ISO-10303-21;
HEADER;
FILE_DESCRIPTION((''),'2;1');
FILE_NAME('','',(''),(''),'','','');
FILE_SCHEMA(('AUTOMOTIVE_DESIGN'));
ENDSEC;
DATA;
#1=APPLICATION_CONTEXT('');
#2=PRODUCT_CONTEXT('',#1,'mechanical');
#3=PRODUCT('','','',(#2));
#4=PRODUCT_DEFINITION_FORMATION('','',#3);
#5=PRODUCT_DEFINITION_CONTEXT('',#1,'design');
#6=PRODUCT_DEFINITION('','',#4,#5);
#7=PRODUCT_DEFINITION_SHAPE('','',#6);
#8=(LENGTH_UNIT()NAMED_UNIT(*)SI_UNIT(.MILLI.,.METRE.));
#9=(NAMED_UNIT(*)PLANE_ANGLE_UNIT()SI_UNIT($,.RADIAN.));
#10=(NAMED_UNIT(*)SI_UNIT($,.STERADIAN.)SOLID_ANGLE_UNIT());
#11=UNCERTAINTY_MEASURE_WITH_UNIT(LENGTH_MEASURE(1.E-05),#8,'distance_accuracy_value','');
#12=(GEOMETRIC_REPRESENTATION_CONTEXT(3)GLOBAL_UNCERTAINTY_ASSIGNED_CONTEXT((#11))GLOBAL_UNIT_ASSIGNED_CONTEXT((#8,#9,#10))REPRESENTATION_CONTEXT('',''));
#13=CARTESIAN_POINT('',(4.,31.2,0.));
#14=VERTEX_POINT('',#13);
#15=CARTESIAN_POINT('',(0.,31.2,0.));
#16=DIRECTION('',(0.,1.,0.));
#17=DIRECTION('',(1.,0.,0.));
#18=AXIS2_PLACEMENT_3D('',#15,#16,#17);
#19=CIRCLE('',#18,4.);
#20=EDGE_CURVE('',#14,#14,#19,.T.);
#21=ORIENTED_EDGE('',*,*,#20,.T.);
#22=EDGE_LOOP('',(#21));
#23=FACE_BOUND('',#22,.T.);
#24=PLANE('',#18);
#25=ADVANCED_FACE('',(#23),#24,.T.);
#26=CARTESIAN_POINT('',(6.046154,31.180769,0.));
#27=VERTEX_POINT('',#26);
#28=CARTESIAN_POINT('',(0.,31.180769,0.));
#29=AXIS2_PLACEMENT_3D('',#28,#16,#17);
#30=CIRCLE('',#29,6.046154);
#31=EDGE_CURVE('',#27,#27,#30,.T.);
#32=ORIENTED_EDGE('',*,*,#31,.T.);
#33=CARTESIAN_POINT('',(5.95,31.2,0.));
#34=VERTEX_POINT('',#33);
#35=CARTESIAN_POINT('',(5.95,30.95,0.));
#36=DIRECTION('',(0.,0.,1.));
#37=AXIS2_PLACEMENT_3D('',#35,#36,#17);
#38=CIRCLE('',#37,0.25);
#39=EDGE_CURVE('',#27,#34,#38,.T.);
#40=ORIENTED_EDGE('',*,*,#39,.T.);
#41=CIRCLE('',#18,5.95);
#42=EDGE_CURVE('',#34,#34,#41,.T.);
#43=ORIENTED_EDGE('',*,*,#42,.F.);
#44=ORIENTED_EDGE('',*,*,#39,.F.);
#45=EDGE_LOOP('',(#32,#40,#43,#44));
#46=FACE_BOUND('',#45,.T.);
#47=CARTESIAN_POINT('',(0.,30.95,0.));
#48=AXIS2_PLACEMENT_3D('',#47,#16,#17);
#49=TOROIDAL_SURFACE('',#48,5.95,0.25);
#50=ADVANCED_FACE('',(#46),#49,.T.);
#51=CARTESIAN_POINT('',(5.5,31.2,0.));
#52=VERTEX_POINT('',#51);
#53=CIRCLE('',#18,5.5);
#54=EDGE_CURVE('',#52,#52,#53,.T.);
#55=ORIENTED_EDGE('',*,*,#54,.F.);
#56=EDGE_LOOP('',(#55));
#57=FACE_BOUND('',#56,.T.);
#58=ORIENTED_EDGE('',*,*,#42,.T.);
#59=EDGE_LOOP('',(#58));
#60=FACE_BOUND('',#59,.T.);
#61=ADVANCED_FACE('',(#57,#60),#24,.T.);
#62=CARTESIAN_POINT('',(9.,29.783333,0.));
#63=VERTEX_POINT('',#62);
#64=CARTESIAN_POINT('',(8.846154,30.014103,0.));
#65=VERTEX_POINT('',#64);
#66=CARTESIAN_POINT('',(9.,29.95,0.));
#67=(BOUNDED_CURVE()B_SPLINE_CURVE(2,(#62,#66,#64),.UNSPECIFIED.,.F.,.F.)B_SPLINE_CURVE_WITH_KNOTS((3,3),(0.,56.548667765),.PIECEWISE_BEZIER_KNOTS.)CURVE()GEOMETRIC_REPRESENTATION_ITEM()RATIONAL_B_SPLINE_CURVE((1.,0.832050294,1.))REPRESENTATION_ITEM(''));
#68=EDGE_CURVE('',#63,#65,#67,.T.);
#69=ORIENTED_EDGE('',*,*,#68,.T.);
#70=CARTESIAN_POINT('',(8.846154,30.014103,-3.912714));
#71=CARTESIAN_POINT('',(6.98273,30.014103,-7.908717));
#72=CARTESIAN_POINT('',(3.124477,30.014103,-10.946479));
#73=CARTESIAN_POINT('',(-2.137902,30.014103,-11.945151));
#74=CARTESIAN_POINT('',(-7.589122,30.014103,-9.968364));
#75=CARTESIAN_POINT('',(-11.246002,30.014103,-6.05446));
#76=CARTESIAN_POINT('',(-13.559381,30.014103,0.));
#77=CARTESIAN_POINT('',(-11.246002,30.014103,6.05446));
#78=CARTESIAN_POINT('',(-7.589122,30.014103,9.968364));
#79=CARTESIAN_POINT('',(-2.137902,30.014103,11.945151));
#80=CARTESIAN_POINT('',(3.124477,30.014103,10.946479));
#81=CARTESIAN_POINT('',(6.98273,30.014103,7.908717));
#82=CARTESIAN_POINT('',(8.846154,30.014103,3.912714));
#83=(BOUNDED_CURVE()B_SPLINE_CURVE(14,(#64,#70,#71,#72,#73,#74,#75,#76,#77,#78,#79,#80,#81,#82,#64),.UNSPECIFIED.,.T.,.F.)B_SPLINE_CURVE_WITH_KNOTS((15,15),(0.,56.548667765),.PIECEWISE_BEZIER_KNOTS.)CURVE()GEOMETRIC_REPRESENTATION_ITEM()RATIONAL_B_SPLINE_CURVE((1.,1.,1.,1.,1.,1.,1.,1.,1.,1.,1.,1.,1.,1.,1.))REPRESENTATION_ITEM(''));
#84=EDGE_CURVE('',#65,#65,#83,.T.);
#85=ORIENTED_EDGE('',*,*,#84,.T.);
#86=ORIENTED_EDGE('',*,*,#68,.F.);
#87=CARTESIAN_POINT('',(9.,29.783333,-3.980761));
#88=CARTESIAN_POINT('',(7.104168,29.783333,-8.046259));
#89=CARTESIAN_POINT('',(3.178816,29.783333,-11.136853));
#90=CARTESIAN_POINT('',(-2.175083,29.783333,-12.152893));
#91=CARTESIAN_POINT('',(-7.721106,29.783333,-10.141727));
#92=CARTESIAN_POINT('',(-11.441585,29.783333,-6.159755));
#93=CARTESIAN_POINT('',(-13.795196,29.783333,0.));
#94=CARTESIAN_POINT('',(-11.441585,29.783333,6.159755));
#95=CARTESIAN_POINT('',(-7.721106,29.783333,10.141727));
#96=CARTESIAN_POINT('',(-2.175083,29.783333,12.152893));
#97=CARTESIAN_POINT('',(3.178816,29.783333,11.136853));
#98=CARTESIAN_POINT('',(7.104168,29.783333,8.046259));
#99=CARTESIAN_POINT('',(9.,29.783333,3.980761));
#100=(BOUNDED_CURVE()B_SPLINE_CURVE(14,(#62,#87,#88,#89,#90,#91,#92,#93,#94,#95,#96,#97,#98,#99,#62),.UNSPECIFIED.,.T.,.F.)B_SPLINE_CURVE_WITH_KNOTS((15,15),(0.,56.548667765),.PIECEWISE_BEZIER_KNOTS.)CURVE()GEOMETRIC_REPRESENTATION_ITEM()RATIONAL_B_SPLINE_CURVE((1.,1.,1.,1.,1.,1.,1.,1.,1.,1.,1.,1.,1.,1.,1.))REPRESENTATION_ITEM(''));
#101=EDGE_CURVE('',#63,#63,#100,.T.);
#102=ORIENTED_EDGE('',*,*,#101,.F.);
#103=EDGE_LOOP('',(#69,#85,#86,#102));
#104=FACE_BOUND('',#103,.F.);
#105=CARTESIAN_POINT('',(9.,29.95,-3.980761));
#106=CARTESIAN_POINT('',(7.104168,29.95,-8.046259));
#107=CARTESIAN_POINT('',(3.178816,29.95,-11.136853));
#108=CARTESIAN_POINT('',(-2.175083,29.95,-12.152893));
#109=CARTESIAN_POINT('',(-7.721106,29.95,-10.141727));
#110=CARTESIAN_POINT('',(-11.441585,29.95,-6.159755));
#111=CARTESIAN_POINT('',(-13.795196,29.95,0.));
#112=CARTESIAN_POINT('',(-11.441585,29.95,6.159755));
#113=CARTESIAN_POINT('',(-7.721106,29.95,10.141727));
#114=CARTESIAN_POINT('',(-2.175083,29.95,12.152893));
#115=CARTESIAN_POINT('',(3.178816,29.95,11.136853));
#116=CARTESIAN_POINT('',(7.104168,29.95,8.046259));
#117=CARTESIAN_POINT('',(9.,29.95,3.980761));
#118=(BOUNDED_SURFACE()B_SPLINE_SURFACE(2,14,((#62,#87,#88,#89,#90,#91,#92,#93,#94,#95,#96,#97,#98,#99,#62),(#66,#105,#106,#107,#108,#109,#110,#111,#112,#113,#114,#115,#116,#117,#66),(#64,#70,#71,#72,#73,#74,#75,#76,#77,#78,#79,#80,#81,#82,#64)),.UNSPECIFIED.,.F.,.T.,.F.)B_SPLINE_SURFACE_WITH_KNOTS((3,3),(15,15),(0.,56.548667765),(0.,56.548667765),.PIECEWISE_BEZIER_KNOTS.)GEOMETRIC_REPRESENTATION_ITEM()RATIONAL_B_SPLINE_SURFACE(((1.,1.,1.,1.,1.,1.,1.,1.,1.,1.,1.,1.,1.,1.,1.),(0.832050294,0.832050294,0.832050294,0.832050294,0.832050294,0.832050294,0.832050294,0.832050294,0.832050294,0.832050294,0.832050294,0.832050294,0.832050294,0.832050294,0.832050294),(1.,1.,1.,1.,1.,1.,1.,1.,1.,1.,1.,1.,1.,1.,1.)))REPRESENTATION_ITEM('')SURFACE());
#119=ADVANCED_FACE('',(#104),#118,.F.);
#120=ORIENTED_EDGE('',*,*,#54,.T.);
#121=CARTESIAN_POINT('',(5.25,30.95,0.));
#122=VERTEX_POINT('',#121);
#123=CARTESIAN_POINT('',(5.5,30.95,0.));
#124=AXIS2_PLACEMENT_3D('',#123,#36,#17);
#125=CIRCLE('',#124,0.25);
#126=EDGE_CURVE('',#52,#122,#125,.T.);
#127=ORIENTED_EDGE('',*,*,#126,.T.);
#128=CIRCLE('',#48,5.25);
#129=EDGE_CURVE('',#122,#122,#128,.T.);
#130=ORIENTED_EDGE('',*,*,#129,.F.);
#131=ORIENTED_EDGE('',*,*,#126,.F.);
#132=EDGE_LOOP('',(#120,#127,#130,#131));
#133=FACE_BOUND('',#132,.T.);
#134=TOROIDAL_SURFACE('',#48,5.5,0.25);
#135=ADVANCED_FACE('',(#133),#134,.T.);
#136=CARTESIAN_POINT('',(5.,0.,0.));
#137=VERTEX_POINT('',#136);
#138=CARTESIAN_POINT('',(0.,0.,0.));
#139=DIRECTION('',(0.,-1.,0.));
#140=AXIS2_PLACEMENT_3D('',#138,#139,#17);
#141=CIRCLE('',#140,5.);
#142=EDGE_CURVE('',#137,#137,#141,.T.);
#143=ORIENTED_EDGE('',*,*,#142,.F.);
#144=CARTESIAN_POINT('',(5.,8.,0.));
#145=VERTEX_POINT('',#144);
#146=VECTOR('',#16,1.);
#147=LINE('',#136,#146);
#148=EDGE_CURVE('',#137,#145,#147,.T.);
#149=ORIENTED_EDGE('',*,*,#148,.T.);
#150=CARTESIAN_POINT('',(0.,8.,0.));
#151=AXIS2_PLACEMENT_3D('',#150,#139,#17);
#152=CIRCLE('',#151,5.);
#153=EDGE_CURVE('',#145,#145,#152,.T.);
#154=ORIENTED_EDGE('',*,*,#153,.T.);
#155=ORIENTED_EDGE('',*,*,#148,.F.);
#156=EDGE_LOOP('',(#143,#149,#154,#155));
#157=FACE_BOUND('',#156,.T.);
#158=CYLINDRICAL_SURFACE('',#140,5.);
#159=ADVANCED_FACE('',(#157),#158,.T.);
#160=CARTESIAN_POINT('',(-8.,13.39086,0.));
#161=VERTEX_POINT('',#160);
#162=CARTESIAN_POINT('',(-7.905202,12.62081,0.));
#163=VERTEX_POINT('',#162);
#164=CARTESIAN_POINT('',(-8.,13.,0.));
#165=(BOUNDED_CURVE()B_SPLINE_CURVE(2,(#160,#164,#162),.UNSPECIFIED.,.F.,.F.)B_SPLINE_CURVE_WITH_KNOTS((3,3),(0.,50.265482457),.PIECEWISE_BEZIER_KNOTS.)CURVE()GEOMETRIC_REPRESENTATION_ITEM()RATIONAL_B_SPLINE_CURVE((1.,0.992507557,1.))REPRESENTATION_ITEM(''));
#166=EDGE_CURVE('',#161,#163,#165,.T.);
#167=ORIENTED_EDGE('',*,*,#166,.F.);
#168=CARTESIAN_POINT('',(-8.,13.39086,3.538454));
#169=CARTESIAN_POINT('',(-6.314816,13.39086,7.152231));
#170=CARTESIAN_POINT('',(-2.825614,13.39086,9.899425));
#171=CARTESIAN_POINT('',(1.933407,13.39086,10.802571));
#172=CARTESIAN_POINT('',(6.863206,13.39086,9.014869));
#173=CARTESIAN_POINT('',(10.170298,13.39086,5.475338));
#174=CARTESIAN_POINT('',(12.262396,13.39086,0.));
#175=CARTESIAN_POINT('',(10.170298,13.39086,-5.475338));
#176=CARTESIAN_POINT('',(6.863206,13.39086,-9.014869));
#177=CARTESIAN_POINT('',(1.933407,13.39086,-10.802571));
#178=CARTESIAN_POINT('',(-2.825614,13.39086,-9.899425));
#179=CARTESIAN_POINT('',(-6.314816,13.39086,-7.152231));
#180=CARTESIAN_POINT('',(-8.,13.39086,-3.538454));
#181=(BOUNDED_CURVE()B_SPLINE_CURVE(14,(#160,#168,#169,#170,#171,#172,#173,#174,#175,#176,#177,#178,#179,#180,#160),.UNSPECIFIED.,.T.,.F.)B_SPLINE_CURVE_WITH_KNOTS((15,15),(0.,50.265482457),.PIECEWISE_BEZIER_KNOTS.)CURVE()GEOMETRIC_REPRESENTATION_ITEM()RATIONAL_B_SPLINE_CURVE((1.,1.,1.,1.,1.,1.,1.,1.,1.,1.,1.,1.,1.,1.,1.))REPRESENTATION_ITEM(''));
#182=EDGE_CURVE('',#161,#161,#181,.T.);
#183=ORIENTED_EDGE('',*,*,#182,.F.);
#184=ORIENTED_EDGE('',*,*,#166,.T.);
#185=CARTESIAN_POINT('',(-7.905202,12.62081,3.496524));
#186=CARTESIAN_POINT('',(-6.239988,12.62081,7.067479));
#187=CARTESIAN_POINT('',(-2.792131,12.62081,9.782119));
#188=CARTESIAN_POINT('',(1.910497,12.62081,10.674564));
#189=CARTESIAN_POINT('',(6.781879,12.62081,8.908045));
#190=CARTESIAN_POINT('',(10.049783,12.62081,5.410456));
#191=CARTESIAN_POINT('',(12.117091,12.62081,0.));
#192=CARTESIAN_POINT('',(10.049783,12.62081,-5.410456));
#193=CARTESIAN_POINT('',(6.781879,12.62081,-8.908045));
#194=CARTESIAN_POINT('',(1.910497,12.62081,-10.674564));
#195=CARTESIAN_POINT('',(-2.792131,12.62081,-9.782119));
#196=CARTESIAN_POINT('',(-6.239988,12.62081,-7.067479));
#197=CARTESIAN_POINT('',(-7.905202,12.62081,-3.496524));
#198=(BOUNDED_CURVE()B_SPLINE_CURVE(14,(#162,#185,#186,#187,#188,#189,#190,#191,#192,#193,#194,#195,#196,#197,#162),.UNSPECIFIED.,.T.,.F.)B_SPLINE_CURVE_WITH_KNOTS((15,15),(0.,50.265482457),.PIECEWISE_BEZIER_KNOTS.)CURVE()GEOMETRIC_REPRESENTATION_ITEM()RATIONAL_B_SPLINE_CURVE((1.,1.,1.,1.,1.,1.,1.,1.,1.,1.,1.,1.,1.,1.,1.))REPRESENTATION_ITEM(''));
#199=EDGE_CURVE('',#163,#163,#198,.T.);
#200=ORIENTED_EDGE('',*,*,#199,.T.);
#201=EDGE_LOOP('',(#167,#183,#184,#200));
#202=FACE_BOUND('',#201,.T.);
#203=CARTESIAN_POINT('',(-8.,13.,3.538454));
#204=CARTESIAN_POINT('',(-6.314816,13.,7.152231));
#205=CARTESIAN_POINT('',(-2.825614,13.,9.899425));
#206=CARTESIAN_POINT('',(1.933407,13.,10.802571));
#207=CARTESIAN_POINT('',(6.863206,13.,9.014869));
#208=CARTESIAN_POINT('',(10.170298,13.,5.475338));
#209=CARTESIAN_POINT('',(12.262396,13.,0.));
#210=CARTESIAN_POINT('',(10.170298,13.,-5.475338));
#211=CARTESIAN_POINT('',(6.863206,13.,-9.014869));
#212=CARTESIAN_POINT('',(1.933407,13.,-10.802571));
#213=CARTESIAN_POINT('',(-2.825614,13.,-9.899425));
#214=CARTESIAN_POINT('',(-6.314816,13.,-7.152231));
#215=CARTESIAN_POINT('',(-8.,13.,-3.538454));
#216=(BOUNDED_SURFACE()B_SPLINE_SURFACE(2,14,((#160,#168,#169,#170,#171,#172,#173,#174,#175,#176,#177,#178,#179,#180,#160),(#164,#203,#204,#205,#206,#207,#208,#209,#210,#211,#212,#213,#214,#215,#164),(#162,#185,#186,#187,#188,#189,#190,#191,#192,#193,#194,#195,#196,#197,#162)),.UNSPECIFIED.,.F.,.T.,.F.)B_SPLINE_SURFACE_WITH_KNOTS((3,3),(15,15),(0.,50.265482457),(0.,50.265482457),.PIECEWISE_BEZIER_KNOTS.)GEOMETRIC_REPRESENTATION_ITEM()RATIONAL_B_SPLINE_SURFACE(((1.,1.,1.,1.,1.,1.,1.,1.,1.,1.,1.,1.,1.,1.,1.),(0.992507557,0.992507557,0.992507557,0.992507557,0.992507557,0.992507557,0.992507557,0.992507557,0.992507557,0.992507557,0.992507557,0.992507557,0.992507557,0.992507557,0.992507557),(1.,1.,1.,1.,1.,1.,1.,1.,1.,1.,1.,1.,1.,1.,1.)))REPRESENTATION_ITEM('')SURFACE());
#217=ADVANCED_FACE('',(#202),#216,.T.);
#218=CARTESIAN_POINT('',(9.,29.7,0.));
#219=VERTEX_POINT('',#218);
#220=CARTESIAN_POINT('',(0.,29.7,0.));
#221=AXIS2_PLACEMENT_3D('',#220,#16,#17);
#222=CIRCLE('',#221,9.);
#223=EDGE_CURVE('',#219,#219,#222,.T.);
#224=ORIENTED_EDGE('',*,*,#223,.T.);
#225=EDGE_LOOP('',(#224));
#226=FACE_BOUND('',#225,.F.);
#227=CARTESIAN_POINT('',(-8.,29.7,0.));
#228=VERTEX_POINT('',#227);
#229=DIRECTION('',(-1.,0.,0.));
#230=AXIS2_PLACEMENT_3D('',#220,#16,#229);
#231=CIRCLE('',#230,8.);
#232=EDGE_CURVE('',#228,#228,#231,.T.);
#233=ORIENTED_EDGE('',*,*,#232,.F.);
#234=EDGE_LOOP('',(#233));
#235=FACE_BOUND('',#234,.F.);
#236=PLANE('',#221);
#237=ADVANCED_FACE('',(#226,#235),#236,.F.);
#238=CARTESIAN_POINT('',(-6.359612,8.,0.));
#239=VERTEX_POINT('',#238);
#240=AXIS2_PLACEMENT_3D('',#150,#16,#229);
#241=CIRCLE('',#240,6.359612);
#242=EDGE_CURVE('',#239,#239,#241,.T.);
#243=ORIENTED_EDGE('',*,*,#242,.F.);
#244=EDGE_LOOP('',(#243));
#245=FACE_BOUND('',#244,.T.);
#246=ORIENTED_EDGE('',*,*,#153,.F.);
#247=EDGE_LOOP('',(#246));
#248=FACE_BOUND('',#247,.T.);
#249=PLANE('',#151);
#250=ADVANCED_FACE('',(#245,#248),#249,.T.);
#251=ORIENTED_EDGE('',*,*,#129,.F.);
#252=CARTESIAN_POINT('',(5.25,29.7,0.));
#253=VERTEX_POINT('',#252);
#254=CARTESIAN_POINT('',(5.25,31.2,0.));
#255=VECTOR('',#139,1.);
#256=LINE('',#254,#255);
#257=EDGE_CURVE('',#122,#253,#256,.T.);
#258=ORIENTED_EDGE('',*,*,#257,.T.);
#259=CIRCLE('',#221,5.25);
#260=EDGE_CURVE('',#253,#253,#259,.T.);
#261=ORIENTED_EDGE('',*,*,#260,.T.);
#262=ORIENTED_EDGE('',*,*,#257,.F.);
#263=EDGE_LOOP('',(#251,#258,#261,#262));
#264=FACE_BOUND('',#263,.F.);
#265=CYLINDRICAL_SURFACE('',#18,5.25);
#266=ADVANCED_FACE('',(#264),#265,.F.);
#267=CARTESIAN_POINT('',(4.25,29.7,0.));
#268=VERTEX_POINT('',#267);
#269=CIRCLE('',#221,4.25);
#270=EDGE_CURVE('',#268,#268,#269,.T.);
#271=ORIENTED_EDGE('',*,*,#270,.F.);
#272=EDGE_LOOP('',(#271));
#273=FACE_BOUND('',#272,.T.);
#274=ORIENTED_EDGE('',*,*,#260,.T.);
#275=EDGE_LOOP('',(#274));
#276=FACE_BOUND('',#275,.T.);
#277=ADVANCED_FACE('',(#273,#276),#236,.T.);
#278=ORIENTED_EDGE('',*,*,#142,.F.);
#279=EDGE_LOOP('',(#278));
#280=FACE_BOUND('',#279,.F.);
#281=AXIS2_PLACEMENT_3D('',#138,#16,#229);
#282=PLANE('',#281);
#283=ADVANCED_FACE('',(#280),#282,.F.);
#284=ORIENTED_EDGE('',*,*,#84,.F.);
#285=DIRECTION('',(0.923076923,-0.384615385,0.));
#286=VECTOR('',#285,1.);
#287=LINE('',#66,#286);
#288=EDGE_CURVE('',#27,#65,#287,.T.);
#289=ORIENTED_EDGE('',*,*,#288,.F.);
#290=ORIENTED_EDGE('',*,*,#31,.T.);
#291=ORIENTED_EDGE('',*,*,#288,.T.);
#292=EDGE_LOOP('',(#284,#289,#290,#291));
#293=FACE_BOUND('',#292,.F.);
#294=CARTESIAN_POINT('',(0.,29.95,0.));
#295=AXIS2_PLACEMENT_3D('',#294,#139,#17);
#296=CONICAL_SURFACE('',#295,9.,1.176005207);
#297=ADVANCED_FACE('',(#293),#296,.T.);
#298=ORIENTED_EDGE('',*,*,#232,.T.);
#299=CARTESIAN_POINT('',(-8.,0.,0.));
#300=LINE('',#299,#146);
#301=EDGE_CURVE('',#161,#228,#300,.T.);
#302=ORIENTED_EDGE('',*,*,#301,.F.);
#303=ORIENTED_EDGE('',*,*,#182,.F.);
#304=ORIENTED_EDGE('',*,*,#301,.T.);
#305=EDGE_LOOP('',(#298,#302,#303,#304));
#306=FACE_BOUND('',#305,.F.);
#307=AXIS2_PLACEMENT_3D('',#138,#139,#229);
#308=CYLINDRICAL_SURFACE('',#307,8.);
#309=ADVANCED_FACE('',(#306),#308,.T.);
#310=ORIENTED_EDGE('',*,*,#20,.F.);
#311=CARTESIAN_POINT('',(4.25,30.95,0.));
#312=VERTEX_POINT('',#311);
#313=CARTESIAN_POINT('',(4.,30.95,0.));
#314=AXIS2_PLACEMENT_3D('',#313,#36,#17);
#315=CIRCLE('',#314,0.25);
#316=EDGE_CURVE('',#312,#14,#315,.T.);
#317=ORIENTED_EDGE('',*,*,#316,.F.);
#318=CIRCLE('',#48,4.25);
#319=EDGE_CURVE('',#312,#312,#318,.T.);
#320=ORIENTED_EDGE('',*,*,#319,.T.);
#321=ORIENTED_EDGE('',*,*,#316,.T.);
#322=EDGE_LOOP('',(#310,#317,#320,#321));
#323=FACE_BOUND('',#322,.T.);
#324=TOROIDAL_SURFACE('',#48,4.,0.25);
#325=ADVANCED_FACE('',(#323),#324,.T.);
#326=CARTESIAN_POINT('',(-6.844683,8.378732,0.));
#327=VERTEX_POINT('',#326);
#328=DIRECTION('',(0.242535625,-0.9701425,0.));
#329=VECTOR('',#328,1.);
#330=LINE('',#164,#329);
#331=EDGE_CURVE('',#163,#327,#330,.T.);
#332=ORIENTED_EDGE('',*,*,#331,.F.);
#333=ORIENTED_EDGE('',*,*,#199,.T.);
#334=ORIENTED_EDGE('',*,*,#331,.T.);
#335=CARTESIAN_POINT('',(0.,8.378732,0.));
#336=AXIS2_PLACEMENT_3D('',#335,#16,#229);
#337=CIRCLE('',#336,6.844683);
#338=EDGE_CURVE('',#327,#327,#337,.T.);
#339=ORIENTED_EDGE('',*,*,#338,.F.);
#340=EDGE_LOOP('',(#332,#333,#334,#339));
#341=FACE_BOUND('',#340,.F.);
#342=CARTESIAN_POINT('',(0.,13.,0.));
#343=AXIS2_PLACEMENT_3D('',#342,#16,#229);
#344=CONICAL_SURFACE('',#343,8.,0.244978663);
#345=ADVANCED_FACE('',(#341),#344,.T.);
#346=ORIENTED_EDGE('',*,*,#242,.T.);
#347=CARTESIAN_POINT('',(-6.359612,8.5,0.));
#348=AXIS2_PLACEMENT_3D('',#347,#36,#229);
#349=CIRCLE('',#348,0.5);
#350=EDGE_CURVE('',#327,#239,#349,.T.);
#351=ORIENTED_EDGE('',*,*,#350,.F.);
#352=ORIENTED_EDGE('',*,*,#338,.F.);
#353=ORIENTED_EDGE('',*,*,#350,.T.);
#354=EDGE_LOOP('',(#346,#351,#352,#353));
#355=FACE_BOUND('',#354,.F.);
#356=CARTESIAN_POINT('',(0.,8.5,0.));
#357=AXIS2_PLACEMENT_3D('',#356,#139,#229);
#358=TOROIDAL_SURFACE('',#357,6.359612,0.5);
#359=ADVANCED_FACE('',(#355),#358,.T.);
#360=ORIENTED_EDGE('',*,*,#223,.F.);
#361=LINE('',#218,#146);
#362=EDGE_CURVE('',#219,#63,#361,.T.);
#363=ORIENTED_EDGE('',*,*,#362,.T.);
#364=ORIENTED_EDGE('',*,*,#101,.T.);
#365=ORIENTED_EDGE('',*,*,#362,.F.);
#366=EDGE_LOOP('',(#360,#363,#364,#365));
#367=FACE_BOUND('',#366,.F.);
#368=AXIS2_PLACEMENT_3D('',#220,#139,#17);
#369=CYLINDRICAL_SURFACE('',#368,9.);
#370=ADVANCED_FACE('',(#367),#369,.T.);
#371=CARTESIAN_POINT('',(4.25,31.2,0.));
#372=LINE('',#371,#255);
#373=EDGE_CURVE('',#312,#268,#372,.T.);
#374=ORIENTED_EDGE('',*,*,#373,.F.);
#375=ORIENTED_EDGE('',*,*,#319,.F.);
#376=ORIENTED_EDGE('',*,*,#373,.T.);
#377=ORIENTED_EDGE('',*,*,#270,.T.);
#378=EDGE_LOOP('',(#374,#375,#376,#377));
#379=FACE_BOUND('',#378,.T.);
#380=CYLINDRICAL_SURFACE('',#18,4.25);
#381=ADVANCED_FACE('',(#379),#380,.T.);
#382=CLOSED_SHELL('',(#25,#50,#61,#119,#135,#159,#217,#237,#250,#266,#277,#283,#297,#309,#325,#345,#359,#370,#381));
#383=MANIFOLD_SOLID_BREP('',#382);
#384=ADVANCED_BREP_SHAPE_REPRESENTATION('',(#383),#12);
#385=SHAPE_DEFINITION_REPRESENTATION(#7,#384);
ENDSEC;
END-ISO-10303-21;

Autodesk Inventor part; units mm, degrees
ref_plane "YZ Plane" through (0, 0, 0) normal (1, 0, 0) x (0, 1, 0)
ref_plane "XZ Plane" through (0, 0, 0) normal (0, 1, 0) x (-1, 0, 0)
ref_plane "XY Plane" through (0, 0, 0) normal (0, 0, 1) x (1, 0, 0)
sketch "Sketch1" plane through (0, 0, 0) normal (0, 1, 0) x (-1, 0, 0)
  circle A0 centre (0, 0) radius 8
  dimension "d0" = 16
extrude "Extrusion1" add sketch "Sketch1" along normal blind 29.7
sketch "Sketch2" plane through (0, 29.7, 0) normal (0, 1, 0) x (1, 0, 0)
  circle A0 centre (0, 0) radius 9
  dimension "d3" = 18
extrude "Extrusion2" add sketch "Sketch2" along normal blind 1.5
chamfer "Chamfer1" distance 3 distance2 1.25 1 edges at (-9, 31.2, 0) measured on face at (4.3113, 31.2, 2.4985)
sketch "Sketch3" plane through (0, 0, 0) normal (0, -1, 0) x (1, 0, 0)
  circle A0 centre (0, 0) radius 5
  circle A1 centre (0, 0) radius 8 projected
  dimension "d9" = 10
extrude "Extrusion3" cut sketch "Sketch3" against normal blind 8
chamfer "Chamfer2" distance 5 distance2 1.25 1 edges at (8, 8, 0) measured on face at (-7.8964, 15.2333, -1.2833)
fillet "Fillet1" radius 3.175 1 edges at (8, 13, 0)
fillet "Fillet2" radius 0.5 1 edges at (6.75, 8, 0)
thread "Thread1" size "M16x1" class "6g" standard "ISO Metric profile" full length
sketch "Sketch4" plane through (0, 31.2, 0) normal (0, 1, 0) x (1, 0, 0)
  circle A0 centre (0, 0) radius 4.25
  circle A1 centre (0, 0) radius 5.25
  circle A2 centre (0, 0) radius 6 construction
  dimension "d22" = 0.75
  dimension "d23" = 1
  dimension "d25" = 10.5
extrude "Extrusion4" cut sketch "Sketch4" against normal blind 1.5
fillet "Fillet3" radius 0.25 4 edges at (-9, 29.95, 0) (-6, 31.2, 0) (-5.25, 31.2, 0) (-4.25, 31.2, 0)
properties part number "Button_housing" material "Brass, Soft Yellow"
